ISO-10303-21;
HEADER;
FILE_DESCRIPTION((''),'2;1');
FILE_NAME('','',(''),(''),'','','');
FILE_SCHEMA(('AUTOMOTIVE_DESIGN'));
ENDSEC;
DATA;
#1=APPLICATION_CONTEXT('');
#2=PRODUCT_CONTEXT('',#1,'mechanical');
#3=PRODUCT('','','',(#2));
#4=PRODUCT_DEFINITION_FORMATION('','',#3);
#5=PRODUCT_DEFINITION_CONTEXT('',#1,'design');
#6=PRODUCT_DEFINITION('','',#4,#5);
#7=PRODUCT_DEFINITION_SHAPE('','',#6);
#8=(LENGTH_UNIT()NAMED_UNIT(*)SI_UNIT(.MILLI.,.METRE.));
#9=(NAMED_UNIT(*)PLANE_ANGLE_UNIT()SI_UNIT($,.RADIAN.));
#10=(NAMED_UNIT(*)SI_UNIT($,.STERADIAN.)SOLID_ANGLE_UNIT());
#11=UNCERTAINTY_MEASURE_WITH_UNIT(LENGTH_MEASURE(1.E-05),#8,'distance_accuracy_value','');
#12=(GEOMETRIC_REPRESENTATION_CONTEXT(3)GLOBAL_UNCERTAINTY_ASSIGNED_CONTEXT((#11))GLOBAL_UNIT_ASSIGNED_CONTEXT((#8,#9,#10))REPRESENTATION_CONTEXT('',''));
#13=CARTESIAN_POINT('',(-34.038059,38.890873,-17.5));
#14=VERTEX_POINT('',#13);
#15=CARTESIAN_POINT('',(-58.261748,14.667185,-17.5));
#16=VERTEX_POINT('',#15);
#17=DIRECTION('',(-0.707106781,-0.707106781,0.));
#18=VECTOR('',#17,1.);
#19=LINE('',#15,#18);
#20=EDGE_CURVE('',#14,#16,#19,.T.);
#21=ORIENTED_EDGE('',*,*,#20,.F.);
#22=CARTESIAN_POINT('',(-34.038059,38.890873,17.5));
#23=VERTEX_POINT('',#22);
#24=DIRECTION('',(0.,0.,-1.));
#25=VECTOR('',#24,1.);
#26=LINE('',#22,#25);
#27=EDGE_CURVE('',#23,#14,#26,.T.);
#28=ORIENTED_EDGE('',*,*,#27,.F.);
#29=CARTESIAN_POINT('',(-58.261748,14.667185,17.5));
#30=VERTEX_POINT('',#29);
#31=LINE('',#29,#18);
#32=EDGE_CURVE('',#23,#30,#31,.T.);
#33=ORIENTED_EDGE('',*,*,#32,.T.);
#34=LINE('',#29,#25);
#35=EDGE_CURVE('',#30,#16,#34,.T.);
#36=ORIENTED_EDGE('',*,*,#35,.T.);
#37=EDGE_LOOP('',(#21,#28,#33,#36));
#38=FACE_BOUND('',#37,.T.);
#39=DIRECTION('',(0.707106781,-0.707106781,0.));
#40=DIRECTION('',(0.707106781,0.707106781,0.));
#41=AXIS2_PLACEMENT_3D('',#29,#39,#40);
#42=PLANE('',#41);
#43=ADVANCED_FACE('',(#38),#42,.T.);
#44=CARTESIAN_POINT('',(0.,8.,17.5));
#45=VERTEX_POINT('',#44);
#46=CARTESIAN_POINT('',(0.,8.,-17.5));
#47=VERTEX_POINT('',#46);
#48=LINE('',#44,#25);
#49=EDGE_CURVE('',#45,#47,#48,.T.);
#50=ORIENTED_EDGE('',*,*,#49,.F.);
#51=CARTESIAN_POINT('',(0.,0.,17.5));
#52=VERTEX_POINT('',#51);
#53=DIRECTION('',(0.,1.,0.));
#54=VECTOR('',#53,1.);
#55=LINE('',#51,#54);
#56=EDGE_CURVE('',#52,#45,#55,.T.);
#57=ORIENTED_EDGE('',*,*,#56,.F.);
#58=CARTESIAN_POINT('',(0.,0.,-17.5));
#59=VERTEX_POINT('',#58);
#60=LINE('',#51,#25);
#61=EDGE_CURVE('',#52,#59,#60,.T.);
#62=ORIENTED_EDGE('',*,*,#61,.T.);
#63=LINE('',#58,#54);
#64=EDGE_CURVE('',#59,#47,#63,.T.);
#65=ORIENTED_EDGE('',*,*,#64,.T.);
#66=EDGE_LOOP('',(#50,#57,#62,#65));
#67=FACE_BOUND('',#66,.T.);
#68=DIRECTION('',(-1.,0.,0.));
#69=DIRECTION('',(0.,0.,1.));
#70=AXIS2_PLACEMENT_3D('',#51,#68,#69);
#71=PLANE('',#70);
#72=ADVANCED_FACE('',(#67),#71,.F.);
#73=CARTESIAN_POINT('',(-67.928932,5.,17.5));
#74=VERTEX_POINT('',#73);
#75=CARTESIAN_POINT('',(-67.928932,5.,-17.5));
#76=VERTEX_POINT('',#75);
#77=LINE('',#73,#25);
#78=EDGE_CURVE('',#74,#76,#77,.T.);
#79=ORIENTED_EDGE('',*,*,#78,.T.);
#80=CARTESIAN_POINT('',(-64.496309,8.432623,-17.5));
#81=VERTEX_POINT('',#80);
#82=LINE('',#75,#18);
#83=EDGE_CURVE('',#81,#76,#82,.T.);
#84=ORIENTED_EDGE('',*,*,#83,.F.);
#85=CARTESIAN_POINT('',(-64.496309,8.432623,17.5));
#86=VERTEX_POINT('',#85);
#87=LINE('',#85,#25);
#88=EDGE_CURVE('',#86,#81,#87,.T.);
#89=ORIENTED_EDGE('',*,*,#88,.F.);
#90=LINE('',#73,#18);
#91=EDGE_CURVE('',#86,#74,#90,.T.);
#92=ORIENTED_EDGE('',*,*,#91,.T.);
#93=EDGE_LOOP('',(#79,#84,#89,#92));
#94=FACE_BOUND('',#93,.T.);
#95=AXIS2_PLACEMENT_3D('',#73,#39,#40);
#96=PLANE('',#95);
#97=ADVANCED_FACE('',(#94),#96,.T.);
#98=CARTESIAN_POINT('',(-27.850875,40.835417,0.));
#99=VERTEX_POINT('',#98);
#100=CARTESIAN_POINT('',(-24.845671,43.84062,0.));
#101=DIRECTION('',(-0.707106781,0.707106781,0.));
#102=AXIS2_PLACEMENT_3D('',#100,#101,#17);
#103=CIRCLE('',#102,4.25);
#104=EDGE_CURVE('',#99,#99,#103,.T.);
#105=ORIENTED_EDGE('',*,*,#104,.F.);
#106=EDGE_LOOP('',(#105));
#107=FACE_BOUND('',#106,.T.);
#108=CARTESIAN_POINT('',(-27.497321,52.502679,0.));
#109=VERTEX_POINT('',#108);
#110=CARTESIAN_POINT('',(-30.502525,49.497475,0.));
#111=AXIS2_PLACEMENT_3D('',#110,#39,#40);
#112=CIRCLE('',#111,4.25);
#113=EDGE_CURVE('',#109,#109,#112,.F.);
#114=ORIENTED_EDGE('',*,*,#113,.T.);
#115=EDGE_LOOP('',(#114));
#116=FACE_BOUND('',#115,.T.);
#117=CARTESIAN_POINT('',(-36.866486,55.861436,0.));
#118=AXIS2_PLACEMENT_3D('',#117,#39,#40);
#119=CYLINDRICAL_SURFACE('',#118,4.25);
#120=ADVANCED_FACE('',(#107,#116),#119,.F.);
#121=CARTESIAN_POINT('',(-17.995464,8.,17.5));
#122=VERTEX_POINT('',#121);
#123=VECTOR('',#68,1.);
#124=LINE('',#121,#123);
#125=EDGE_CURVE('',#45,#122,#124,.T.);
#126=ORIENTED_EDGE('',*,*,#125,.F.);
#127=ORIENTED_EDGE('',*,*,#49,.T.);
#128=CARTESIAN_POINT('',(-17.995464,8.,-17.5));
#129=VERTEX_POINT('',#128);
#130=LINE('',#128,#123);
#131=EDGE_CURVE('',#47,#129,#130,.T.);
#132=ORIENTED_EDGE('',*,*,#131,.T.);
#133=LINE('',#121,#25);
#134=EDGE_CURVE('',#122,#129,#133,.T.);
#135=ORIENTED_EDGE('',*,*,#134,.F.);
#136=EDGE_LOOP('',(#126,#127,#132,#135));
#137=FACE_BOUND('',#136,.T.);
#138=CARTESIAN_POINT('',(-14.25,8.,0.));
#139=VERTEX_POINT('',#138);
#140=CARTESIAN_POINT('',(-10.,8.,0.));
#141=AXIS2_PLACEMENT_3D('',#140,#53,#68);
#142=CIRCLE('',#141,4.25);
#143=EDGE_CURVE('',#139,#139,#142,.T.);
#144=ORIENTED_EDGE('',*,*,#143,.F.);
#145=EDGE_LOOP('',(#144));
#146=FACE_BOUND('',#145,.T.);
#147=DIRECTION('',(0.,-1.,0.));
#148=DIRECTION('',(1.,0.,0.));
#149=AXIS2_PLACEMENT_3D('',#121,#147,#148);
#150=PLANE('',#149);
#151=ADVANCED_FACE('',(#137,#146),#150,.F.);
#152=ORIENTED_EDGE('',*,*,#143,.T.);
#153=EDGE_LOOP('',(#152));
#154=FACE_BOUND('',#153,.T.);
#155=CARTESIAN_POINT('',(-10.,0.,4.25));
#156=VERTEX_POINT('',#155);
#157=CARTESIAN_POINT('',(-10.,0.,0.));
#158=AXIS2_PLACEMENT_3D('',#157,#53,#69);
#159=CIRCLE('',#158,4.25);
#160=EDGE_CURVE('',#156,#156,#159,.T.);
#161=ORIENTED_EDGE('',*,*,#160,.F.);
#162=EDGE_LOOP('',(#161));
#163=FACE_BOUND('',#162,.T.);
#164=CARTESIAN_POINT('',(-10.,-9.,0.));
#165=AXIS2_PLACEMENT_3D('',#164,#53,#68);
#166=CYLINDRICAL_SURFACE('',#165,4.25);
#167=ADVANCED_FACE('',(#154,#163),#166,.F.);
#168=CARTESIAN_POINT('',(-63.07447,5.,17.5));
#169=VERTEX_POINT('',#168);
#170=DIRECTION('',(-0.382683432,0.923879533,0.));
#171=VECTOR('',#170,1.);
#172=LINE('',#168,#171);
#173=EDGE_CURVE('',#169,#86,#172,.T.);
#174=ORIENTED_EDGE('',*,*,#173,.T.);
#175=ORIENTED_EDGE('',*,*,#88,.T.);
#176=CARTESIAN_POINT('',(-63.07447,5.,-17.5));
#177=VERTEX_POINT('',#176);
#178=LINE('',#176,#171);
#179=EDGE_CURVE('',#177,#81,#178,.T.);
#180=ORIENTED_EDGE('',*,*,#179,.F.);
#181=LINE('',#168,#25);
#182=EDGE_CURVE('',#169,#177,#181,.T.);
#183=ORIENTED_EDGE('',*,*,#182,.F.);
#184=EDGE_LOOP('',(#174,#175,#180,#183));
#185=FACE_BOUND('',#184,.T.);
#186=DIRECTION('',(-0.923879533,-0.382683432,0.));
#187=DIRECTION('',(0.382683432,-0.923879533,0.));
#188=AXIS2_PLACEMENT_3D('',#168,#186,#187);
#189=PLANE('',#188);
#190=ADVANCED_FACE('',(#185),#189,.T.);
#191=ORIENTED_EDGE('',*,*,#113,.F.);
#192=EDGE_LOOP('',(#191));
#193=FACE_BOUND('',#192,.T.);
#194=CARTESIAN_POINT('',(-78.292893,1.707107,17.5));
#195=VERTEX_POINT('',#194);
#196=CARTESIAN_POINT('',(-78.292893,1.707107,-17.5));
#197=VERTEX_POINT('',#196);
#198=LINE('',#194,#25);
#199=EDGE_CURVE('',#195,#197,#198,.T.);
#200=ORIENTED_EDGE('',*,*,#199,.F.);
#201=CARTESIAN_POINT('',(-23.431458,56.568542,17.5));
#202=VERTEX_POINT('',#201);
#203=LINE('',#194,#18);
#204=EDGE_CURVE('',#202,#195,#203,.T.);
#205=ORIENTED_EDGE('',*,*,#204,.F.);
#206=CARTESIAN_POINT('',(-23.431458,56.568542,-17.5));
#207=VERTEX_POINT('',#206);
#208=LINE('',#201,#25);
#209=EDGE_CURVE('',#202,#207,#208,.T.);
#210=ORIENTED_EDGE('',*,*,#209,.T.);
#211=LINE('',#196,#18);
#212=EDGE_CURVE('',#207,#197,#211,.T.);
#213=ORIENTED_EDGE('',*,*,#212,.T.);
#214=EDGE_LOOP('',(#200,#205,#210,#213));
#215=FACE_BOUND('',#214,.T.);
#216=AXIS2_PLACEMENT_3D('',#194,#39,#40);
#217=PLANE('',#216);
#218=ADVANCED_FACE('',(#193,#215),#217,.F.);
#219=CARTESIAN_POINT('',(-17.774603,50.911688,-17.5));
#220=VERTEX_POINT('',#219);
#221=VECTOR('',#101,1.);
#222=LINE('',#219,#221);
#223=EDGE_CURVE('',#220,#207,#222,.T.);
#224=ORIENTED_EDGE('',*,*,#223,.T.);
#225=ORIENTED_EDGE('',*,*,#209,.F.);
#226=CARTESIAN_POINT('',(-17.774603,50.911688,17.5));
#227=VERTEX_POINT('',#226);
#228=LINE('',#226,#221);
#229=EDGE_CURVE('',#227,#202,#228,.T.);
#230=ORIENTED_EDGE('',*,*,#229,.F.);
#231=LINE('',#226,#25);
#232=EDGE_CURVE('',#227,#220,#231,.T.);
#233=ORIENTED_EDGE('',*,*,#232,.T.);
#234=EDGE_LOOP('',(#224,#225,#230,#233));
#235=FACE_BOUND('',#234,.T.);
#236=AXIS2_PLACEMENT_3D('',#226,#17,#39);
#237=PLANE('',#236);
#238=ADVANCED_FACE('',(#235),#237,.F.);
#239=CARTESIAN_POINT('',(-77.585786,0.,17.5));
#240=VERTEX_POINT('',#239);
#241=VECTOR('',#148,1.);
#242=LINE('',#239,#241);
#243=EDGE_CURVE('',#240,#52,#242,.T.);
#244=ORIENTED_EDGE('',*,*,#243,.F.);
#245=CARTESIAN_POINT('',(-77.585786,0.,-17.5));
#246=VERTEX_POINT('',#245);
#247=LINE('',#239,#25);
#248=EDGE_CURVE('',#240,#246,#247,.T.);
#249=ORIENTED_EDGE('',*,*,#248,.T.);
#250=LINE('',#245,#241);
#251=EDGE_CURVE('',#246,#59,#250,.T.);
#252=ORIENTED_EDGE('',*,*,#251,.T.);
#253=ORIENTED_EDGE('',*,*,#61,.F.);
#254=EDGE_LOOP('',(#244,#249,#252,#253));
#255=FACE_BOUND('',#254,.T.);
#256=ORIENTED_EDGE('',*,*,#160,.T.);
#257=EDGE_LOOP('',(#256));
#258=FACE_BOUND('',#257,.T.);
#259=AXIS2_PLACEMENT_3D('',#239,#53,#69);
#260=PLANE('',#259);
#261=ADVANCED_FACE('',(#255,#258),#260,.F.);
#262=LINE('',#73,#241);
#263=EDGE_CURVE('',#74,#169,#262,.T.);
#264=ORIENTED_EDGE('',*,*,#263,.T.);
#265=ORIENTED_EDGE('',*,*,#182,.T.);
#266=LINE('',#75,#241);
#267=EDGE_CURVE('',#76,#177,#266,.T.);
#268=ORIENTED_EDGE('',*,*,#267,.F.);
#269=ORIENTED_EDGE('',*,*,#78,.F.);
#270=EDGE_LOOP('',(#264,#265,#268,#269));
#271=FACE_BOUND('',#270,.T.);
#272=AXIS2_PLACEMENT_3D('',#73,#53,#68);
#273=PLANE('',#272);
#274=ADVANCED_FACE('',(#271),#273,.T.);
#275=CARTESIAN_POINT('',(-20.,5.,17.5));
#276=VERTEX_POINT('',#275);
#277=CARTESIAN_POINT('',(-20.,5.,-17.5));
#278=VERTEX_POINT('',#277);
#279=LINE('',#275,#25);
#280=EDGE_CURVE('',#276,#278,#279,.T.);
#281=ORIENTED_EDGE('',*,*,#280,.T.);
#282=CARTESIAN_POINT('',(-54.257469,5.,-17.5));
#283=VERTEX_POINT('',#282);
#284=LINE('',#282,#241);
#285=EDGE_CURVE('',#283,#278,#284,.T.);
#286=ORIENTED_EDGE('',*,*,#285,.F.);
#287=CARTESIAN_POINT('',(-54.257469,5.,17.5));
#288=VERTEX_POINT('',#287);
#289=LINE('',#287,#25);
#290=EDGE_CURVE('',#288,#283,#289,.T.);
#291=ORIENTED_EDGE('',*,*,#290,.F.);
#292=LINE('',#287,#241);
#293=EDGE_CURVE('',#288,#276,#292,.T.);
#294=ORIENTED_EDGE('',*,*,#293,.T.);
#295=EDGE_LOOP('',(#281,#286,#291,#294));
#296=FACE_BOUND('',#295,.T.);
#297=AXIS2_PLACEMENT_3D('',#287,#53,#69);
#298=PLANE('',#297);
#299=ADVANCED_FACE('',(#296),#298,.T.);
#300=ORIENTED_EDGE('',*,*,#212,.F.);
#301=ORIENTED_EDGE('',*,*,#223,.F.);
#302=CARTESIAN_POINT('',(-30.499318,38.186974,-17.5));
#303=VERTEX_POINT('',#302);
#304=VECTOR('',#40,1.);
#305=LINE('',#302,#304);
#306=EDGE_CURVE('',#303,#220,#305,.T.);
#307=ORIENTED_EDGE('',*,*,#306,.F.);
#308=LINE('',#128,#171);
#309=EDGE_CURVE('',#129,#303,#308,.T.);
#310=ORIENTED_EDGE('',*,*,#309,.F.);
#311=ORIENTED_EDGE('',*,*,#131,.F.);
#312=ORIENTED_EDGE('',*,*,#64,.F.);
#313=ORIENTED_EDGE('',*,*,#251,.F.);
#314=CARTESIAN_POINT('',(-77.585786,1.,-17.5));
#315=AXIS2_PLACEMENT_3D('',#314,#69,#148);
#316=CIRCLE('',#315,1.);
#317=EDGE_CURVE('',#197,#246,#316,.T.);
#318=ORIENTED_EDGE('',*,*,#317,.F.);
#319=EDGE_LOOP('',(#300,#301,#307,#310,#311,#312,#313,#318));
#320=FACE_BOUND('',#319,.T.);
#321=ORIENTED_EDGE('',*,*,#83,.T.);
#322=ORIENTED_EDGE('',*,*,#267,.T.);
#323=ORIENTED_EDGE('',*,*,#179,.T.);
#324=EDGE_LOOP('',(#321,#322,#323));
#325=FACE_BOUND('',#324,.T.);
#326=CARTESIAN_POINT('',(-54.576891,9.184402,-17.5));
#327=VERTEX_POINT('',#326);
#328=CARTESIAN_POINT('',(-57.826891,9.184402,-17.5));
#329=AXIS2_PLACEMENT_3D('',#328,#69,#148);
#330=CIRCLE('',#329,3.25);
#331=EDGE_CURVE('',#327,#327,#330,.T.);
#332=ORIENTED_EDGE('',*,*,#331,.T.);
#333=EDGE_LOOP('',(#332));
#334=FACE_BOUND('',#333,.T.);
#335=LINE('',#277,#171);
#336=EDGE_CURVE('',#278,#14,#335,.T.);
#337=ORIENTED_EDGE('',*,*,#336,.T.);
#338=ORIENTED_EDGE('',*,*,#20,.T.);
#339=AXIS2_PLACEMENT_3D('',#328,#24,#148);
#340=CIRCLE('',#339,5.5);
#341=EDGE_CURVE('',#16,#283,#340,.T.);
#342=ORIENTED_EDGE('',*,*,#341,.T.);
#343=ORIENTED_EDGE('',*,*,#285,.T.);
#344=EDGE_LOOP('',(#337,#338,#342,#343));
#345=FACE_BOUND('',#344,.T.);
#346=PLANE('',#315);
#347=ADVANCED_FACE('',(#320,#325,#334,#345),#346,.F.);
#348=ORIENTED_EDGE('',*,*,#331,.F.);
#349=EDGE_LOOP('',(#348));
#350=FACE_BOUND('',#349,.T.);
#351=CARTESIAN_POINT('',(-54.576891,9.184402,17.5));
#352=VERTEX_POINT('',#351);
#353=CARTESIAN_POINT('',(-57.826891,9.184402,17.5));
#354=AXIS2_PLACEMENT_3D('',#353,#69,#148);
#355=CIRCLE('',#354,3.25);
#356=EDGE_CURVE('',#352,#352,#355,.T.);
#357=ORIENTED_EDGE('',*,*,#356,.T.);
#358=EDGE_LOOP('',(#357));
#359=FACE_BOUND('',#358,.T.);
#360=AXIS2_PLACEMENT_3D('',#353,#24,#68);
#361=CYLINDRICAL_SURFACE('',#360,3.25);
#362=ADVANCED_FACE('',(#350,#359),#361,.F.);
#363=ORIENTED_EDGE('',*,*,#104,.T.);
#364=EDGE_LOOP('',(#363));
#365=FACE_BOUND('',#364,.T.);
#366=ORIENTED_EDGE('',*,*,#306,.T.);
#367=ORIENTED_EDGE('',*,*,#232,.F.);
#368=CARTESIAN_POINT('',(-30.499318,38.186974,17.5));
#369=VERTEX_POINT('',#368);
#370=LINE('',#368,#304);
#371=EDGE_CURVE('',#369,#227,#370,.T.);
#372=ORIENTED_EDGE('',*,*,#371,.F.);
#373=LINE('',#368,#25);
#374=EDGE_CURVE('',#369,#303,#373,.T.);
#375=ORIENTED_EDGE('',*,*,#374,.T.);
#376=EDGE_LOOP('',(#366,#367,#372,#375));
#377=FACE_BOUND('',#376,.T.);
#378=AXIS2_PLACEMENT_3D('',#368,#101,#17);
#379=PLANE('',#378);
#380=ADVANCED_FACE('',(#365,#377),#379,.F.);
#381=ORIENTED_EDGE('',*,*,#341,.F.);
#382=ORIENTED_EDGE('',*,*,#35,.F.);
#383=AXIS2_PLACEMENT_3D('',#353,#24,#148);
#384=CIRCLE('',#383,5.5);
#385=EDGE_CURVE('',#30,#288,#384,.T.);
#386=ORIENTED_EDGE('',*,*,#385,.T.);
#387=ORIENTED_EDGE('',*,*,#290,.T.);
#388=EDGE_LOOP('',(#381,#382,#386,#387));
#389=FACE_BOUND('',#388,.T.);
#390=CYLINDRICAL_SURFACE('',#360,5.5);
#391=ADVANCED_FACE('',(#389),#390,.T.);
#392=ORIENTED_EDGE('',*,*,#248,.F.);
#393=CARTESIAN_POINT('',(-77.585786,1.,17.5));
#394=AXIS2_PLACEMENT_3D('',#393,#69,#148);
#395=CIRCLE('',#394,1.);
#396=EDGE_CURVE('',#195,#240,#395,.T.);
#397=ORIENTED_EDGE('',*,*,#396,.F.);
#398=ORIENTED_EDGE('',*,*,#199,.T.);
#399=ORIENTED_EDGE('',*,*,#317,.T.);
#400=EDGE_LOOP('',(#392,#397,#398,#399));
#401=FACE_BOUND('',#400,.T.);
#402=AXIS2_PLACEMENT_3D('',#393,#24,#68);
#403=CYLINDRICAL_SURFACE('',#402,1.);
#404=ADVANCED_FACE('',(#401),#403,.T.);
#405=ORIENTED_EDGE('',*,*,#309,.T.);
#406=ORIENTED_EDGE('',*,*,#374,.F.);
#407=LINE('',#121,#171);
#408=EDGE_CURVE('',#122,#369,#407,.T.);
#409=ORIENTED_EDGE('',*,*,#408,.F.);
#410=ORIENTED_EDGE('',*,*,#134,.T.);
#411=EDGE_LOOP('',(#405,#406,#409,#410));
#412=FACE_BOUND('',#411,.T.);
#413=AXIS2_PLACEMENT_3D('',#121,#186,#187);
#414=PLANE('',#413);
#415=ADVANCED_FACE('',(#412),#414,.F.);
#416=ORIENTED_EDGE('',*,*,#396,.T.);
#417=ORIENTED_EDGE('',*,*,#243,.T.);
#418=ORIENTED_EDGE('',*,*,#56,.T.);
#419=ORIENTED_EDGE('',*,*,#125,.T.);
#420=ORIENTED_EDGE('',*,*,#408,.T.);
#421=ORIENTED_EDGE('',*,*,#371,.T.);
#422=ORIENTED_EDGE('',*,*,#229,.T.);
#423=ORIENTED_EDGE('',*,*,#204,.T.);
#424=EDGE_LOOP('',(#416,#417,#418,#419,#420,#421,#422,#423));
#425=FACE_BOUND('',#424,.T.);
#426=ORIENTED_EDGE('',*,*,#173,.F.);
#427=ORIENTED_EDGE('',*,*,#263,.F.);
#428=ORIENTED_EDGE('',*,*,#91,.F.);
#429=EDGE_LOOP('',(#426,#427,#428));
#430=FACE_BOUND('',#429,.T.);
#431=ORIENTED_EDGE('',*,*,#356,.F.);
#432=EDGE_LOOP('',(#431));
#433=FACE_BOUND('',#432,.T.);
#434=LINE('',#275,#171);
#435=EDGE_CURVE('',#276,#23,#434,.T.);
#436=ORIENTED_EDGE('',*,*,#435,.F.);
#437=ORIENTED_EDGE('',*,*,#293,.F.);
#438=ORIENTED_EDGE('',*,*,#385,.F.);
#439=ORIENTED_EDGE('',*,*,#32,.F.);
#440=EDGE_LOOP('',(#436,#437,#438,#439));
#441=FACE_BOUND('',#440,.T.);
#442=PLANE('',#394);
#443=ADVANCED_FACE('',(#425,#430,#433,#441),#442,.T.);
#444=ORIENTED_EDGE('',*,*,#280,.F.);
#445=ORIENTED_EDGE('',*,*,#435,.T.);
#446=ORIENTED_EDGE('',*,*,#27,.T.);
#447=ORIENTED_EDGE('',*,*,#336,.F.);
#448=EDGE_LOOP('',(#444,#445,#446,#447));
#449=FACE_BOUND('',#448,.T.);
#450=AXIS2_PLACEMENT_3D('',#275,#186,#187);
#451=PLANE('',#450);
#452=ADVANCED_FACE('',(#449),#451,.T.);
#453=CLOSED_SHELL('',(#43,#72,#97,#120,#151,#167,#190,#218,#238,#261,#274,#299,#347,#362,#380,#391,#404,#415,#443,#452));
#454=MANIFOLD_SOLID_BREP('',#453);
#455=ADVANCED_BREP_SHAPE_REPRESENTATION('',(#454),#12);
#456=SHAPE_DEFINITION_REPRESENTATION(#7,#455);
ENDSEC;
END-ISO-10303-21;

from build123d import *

# Parameters (mm, degrees)
SKETCH_1_R          = 3.25
EXTRUDE_1_DEPTH     = 17.5
SKETCH_3_R          = 4.25
CUT_EXTRUDE_1_DEPTH = 17


with BuildPart() as part:
    # 草图1 → 凸台-拉伸1 (new, symmetric)
    with BuildSketch(Plane.XY):
        with BuildLine():
            Line((-77.585786438, 0), (0, 0))
            Line((0, 0), (0, 8))
            Line((0, 8), (-17.995464086, 8))
            Line((-17.995464086, 8), (-30.499317942, 38.186973559))
            Line((-30.499317942, 38.186973559), (-17.774603256, 50.911688245))
            Line((-17.774603256, 50.911688245), (-23.431457505, 56.568542495))
            Line((-23.431457505, 56.568542495), (-78.292893219, 1.707106781))
            ThreePointArc((-78.292893219, 1.707106781), (-78.50966597, 0.617316568), (-77.585786438, 0))
        make_face()
        with Locations((-57.82689122, 9.184402377)):
            Circle(SKETCH_1_R, mode=Mode.SUBTRACT)
        Polygon((-67.928932188, 5), (-63.07447047, 5), (-64.496309389, 8.4326228), align=None, mode=Mode.SUBTRACT)
        with BuildLine():
            Line((-54.257468753, 5), (-20, 5))
            Line((-20, 5), (-34.038059223, 38.890872965))
            Line((-34.038059223, 38.890872965), (-58.261747684, 14.667184504))
            ThreePointArc((-58.261747684, 14.667184504), (-52.745553791, 11.289161255), (-54.257468753, 5))
        make_face(mode=Mode.SUBTRACT)
    extrude(amount=EXTRUDE_1_DEPTH, both=True)

    # 草图3 → 切除-拉伸1 (cut)
    with BuildSketch(Plane(origin=(0, 8, 0), x_dir=(1, 0, 0), z_dir=(0, 1, 0))):
        with Locations(Location((-10, 0, 0), (0, 0, 180))):
            Circle(SKETCH_3_R)
    cut_extrude_1 = extrude(amount=-CUT_EXTRUDE_1_DEPTH, mode=Mode.SUBTRACT)

    # 镜向1: 切除-拉伸1 across plane
    add(cut_extrude_1.mirror(Plane(origin=(-11.715728753, 28.284271247, 0), x_dir=(0, 0, 1), z_dir=(-0.3826834323650881, 0.9238795325112875, 0))), mode=Mode.SUBTRACT)


solid = part.part
